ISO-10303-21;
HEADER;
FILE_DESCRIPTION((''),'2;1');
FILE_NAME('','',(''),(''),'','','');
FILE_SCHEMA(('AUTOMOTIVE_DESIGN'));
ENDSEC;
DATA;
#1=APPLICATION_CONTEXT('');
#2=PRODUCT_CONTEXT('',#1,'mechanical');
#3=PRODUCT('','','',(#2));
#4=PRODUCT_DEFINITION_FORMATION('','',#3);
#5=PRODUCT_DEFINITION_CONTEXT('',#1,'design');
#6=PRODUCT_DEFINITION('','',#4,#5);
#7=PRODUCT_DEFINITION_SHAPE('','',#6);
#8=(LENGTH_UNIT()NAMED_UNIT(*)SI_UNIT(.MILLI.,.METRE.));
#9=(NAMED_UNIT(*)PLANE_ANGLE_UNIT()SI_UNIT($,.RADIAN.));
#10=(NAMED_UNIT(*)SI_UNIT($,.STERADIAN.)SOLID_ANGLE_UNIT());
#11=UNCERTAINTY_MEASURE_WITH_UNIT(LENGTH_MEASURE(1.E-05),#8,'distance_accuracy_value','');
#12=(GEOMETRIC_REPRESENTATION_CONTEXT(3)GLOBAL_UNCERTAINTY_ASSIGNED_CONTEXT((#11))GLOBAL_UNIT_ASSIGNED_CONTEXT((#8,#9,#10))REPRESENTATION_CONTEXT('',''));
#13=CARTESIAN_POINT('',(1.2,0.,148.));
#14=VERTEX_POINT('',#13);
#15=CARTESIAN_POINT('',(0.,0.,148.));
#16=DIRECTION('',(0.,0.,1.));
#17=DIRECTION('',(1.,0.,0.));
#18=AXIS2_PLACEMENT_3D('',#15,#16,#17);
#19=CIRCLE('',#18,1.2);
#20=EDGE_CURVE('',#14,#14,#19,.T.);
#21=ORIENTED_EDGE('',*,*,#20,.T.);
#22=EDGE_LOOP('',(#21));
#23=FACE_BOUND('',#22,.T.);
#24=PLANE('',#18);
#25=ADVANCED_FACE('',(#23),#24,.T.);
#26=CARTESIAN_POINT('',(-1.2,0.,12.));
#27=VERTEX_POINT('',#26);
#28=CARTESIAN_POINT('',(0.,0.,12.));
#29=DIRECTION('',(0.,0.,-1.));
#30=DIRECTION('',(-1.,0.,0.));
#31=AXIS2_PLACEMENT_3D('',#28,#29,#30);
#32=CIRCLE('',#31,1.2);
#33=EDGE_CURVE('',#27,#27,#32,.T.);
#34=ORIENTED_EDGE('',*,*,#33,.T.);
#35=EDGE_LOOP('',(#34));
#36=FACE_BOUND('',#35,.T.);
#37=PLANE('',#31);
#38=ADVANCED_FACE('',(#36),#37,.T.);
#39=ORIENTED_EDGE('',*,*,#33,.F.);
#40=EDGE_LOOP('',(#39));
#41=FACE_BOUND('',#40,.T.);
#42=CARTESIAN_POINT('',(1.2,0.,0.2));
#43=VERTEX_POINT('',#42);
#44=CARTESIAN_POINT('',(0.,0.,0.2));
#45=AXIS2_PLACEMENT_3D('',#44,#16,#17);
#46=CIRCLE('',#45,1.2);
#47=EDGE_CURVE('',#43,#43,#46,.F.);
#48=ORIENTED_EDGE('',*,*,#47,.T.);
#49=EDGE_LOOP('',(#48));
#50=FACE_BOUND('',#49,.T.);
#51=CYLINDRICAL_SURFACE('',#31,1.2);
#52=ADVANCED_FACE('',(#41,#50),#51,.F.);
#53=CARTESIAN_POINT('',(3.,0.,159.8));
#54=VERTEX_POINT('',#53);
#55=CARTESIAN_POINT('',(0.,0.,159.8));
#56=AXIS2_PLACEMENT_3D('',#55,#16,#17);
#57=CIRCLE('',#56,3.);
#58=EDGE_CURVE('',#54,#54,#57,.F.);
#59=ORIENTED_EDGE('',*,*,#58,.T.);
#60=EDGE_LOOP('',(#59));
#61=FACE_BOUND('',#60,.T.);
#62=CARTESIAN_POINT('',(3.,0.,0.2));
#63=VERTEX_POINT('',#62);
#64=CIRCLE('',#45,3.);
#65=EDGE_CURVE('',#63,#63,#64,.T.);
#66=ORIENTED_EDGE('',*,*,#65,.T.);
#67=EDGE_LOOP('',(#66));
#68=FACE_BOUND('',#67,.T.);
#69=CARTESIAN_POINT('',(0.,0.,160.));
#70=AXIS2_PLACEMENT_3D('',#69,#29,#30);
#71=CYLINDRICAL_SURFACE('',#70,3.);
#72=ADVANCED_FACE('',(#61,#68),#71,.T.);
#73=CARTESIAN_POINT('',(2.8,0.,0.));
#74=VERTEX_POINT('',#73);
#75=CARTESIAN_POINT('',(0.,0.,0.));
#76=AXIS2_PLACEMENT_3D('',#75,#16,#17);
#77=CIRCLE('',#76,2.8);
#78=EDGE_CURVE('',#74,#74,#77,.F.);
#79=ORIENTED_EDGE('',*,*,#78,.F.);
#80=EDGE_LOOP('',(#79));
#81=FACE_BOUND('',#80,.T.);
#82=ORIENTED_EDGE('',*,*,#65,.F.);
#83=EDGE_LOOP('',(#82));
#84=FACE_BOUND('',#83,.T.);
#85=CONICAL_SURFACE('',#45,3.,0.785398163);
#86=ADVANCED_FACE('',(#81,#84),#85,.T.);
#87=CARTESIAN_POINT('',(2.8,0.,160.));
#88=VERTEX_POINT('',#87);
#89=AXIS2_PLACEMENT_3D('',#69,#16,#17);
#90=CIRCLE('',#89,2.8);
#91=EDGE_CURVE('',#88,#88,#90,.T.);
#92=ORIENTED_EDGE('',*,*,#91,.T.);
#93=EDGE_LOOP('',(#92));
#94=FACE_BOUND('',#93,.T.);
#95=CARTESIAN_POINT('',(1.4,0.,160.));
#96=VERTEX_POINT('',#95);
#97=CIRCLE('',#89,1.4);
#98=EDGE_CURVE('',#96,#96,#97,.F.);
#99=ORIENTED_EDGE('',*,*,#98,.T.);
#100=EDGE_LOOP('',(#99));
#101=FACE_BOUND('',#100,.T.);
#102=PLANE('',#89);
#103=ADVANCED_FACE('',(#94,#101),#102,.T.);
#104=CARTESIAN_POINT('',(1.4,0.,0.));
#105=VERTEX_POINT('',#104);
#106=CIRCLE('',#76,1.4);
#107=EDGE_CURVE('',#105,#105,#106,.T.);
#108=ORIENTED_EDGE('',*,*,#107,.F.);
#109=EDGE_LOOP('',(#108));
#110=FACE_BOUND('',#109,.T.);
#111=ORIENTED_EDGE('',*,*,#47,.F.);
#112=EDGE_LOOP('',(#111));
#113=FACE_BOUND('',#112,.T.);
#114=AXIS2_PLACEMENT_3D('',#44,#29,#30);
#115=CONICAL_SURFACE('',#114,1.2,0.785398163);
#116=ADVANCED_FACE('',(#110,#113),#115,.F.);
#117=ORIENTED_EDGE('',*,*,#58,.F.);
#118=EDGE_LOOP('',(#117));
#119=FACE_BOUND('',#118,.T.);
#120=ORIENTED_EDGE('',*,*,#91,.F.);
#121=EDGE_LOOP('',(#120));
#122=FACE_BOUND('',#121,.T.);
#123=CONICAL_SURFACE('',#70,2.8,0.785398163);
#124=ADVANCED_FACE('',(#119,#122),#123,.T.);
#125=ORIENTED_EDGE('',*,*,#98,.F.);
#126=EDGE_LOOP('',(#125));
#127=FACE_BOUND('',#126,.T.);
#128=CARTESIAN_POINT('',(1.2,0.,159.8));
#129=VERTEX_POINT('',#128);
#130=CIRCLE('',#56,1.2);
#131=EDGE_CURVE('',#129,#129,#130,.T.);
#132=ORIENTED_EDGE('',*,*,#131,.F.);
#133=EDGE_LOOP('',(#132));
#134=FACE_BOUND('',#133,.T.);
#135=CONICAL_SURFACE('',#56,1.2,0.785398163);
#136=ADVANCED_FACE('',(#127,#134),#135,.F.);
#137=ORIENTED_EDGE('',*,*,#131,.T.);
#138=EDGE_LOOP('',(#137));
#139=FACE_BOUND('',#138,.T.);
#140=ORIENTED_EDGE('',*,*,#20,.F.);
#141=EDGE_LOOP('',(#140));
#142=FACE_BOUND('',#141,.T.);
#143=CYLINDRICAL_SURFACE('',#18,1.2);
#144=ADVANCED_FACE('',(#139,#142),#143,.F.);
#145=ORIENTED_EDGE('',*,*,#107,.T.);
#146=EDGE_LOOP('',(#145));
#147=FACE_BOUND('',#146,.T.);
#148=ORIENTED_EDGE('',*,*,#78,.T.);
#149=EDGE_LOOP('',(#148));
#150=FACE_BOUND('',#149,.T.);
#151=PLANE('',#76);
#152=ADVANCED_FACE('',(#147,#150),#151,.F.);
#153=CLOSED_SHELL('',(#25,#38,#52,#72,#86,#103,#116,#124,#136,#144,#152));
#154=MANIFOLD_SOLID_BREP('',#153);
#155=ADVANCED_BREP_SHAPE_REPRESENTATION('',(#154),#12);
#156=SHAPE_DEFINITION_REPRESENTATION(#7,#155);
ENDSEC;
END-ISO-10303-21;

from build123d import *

# Parameters (mm, degrees)
SKETCH1_R           = 3
BOSS_EXTRUDE1_DEPTH = 160
SKETCH2_R           = 1.2
CUT_EXTRUDE1_DEPTH  = 12
SKETCH3_R           = 1.2
CUT_EXTRUDE2_DEPTH  = 12
CHAMFER1_SIZE       = 0.2


with BuildPart() as part:
    # Sketch1 → Boss-Extrude1 (new body)
    with BuildSketch(Plane.XY):
        Circle(SKETCH1_R)
    extrude(amount=BOSS_EXTRUDE1_DEPTH)

    # Sketch2 → Cut-Extrude1 (cut)
    with BuildSketch(Plane.XY.offset(160)):
        Circle(SKETCH2_R)
    extrude(amount=-CUT_EXTRUDE1_DEPTH, mode=Mode.SUBTRACT)

    # Sketch3 → Cut-Extrude2 (cut)
    with BuildSketch(Plane(origin=(0, 0, 0), x_dir=(-1, 0, 0), z_dir=(0, 0, -1))):
        Circle(SKETCH3_R)
    extrude(amount=-CUT_EXTRUDE2_DEPTH, mode=Mode.SUBTRACT)

    # Chamfer1
    chamfer1_edges = [part.edges().sort_by_distance(p)[0] for p in [
        (1.2, 0, 0),
        (-3, 0, 0),
        (-3, 0, 160),
        (-1.2, 0, 160),
    ]]
    chamfer(chamfer1_edges, length=CHAMFER1_SIZE)


solid = part.part
